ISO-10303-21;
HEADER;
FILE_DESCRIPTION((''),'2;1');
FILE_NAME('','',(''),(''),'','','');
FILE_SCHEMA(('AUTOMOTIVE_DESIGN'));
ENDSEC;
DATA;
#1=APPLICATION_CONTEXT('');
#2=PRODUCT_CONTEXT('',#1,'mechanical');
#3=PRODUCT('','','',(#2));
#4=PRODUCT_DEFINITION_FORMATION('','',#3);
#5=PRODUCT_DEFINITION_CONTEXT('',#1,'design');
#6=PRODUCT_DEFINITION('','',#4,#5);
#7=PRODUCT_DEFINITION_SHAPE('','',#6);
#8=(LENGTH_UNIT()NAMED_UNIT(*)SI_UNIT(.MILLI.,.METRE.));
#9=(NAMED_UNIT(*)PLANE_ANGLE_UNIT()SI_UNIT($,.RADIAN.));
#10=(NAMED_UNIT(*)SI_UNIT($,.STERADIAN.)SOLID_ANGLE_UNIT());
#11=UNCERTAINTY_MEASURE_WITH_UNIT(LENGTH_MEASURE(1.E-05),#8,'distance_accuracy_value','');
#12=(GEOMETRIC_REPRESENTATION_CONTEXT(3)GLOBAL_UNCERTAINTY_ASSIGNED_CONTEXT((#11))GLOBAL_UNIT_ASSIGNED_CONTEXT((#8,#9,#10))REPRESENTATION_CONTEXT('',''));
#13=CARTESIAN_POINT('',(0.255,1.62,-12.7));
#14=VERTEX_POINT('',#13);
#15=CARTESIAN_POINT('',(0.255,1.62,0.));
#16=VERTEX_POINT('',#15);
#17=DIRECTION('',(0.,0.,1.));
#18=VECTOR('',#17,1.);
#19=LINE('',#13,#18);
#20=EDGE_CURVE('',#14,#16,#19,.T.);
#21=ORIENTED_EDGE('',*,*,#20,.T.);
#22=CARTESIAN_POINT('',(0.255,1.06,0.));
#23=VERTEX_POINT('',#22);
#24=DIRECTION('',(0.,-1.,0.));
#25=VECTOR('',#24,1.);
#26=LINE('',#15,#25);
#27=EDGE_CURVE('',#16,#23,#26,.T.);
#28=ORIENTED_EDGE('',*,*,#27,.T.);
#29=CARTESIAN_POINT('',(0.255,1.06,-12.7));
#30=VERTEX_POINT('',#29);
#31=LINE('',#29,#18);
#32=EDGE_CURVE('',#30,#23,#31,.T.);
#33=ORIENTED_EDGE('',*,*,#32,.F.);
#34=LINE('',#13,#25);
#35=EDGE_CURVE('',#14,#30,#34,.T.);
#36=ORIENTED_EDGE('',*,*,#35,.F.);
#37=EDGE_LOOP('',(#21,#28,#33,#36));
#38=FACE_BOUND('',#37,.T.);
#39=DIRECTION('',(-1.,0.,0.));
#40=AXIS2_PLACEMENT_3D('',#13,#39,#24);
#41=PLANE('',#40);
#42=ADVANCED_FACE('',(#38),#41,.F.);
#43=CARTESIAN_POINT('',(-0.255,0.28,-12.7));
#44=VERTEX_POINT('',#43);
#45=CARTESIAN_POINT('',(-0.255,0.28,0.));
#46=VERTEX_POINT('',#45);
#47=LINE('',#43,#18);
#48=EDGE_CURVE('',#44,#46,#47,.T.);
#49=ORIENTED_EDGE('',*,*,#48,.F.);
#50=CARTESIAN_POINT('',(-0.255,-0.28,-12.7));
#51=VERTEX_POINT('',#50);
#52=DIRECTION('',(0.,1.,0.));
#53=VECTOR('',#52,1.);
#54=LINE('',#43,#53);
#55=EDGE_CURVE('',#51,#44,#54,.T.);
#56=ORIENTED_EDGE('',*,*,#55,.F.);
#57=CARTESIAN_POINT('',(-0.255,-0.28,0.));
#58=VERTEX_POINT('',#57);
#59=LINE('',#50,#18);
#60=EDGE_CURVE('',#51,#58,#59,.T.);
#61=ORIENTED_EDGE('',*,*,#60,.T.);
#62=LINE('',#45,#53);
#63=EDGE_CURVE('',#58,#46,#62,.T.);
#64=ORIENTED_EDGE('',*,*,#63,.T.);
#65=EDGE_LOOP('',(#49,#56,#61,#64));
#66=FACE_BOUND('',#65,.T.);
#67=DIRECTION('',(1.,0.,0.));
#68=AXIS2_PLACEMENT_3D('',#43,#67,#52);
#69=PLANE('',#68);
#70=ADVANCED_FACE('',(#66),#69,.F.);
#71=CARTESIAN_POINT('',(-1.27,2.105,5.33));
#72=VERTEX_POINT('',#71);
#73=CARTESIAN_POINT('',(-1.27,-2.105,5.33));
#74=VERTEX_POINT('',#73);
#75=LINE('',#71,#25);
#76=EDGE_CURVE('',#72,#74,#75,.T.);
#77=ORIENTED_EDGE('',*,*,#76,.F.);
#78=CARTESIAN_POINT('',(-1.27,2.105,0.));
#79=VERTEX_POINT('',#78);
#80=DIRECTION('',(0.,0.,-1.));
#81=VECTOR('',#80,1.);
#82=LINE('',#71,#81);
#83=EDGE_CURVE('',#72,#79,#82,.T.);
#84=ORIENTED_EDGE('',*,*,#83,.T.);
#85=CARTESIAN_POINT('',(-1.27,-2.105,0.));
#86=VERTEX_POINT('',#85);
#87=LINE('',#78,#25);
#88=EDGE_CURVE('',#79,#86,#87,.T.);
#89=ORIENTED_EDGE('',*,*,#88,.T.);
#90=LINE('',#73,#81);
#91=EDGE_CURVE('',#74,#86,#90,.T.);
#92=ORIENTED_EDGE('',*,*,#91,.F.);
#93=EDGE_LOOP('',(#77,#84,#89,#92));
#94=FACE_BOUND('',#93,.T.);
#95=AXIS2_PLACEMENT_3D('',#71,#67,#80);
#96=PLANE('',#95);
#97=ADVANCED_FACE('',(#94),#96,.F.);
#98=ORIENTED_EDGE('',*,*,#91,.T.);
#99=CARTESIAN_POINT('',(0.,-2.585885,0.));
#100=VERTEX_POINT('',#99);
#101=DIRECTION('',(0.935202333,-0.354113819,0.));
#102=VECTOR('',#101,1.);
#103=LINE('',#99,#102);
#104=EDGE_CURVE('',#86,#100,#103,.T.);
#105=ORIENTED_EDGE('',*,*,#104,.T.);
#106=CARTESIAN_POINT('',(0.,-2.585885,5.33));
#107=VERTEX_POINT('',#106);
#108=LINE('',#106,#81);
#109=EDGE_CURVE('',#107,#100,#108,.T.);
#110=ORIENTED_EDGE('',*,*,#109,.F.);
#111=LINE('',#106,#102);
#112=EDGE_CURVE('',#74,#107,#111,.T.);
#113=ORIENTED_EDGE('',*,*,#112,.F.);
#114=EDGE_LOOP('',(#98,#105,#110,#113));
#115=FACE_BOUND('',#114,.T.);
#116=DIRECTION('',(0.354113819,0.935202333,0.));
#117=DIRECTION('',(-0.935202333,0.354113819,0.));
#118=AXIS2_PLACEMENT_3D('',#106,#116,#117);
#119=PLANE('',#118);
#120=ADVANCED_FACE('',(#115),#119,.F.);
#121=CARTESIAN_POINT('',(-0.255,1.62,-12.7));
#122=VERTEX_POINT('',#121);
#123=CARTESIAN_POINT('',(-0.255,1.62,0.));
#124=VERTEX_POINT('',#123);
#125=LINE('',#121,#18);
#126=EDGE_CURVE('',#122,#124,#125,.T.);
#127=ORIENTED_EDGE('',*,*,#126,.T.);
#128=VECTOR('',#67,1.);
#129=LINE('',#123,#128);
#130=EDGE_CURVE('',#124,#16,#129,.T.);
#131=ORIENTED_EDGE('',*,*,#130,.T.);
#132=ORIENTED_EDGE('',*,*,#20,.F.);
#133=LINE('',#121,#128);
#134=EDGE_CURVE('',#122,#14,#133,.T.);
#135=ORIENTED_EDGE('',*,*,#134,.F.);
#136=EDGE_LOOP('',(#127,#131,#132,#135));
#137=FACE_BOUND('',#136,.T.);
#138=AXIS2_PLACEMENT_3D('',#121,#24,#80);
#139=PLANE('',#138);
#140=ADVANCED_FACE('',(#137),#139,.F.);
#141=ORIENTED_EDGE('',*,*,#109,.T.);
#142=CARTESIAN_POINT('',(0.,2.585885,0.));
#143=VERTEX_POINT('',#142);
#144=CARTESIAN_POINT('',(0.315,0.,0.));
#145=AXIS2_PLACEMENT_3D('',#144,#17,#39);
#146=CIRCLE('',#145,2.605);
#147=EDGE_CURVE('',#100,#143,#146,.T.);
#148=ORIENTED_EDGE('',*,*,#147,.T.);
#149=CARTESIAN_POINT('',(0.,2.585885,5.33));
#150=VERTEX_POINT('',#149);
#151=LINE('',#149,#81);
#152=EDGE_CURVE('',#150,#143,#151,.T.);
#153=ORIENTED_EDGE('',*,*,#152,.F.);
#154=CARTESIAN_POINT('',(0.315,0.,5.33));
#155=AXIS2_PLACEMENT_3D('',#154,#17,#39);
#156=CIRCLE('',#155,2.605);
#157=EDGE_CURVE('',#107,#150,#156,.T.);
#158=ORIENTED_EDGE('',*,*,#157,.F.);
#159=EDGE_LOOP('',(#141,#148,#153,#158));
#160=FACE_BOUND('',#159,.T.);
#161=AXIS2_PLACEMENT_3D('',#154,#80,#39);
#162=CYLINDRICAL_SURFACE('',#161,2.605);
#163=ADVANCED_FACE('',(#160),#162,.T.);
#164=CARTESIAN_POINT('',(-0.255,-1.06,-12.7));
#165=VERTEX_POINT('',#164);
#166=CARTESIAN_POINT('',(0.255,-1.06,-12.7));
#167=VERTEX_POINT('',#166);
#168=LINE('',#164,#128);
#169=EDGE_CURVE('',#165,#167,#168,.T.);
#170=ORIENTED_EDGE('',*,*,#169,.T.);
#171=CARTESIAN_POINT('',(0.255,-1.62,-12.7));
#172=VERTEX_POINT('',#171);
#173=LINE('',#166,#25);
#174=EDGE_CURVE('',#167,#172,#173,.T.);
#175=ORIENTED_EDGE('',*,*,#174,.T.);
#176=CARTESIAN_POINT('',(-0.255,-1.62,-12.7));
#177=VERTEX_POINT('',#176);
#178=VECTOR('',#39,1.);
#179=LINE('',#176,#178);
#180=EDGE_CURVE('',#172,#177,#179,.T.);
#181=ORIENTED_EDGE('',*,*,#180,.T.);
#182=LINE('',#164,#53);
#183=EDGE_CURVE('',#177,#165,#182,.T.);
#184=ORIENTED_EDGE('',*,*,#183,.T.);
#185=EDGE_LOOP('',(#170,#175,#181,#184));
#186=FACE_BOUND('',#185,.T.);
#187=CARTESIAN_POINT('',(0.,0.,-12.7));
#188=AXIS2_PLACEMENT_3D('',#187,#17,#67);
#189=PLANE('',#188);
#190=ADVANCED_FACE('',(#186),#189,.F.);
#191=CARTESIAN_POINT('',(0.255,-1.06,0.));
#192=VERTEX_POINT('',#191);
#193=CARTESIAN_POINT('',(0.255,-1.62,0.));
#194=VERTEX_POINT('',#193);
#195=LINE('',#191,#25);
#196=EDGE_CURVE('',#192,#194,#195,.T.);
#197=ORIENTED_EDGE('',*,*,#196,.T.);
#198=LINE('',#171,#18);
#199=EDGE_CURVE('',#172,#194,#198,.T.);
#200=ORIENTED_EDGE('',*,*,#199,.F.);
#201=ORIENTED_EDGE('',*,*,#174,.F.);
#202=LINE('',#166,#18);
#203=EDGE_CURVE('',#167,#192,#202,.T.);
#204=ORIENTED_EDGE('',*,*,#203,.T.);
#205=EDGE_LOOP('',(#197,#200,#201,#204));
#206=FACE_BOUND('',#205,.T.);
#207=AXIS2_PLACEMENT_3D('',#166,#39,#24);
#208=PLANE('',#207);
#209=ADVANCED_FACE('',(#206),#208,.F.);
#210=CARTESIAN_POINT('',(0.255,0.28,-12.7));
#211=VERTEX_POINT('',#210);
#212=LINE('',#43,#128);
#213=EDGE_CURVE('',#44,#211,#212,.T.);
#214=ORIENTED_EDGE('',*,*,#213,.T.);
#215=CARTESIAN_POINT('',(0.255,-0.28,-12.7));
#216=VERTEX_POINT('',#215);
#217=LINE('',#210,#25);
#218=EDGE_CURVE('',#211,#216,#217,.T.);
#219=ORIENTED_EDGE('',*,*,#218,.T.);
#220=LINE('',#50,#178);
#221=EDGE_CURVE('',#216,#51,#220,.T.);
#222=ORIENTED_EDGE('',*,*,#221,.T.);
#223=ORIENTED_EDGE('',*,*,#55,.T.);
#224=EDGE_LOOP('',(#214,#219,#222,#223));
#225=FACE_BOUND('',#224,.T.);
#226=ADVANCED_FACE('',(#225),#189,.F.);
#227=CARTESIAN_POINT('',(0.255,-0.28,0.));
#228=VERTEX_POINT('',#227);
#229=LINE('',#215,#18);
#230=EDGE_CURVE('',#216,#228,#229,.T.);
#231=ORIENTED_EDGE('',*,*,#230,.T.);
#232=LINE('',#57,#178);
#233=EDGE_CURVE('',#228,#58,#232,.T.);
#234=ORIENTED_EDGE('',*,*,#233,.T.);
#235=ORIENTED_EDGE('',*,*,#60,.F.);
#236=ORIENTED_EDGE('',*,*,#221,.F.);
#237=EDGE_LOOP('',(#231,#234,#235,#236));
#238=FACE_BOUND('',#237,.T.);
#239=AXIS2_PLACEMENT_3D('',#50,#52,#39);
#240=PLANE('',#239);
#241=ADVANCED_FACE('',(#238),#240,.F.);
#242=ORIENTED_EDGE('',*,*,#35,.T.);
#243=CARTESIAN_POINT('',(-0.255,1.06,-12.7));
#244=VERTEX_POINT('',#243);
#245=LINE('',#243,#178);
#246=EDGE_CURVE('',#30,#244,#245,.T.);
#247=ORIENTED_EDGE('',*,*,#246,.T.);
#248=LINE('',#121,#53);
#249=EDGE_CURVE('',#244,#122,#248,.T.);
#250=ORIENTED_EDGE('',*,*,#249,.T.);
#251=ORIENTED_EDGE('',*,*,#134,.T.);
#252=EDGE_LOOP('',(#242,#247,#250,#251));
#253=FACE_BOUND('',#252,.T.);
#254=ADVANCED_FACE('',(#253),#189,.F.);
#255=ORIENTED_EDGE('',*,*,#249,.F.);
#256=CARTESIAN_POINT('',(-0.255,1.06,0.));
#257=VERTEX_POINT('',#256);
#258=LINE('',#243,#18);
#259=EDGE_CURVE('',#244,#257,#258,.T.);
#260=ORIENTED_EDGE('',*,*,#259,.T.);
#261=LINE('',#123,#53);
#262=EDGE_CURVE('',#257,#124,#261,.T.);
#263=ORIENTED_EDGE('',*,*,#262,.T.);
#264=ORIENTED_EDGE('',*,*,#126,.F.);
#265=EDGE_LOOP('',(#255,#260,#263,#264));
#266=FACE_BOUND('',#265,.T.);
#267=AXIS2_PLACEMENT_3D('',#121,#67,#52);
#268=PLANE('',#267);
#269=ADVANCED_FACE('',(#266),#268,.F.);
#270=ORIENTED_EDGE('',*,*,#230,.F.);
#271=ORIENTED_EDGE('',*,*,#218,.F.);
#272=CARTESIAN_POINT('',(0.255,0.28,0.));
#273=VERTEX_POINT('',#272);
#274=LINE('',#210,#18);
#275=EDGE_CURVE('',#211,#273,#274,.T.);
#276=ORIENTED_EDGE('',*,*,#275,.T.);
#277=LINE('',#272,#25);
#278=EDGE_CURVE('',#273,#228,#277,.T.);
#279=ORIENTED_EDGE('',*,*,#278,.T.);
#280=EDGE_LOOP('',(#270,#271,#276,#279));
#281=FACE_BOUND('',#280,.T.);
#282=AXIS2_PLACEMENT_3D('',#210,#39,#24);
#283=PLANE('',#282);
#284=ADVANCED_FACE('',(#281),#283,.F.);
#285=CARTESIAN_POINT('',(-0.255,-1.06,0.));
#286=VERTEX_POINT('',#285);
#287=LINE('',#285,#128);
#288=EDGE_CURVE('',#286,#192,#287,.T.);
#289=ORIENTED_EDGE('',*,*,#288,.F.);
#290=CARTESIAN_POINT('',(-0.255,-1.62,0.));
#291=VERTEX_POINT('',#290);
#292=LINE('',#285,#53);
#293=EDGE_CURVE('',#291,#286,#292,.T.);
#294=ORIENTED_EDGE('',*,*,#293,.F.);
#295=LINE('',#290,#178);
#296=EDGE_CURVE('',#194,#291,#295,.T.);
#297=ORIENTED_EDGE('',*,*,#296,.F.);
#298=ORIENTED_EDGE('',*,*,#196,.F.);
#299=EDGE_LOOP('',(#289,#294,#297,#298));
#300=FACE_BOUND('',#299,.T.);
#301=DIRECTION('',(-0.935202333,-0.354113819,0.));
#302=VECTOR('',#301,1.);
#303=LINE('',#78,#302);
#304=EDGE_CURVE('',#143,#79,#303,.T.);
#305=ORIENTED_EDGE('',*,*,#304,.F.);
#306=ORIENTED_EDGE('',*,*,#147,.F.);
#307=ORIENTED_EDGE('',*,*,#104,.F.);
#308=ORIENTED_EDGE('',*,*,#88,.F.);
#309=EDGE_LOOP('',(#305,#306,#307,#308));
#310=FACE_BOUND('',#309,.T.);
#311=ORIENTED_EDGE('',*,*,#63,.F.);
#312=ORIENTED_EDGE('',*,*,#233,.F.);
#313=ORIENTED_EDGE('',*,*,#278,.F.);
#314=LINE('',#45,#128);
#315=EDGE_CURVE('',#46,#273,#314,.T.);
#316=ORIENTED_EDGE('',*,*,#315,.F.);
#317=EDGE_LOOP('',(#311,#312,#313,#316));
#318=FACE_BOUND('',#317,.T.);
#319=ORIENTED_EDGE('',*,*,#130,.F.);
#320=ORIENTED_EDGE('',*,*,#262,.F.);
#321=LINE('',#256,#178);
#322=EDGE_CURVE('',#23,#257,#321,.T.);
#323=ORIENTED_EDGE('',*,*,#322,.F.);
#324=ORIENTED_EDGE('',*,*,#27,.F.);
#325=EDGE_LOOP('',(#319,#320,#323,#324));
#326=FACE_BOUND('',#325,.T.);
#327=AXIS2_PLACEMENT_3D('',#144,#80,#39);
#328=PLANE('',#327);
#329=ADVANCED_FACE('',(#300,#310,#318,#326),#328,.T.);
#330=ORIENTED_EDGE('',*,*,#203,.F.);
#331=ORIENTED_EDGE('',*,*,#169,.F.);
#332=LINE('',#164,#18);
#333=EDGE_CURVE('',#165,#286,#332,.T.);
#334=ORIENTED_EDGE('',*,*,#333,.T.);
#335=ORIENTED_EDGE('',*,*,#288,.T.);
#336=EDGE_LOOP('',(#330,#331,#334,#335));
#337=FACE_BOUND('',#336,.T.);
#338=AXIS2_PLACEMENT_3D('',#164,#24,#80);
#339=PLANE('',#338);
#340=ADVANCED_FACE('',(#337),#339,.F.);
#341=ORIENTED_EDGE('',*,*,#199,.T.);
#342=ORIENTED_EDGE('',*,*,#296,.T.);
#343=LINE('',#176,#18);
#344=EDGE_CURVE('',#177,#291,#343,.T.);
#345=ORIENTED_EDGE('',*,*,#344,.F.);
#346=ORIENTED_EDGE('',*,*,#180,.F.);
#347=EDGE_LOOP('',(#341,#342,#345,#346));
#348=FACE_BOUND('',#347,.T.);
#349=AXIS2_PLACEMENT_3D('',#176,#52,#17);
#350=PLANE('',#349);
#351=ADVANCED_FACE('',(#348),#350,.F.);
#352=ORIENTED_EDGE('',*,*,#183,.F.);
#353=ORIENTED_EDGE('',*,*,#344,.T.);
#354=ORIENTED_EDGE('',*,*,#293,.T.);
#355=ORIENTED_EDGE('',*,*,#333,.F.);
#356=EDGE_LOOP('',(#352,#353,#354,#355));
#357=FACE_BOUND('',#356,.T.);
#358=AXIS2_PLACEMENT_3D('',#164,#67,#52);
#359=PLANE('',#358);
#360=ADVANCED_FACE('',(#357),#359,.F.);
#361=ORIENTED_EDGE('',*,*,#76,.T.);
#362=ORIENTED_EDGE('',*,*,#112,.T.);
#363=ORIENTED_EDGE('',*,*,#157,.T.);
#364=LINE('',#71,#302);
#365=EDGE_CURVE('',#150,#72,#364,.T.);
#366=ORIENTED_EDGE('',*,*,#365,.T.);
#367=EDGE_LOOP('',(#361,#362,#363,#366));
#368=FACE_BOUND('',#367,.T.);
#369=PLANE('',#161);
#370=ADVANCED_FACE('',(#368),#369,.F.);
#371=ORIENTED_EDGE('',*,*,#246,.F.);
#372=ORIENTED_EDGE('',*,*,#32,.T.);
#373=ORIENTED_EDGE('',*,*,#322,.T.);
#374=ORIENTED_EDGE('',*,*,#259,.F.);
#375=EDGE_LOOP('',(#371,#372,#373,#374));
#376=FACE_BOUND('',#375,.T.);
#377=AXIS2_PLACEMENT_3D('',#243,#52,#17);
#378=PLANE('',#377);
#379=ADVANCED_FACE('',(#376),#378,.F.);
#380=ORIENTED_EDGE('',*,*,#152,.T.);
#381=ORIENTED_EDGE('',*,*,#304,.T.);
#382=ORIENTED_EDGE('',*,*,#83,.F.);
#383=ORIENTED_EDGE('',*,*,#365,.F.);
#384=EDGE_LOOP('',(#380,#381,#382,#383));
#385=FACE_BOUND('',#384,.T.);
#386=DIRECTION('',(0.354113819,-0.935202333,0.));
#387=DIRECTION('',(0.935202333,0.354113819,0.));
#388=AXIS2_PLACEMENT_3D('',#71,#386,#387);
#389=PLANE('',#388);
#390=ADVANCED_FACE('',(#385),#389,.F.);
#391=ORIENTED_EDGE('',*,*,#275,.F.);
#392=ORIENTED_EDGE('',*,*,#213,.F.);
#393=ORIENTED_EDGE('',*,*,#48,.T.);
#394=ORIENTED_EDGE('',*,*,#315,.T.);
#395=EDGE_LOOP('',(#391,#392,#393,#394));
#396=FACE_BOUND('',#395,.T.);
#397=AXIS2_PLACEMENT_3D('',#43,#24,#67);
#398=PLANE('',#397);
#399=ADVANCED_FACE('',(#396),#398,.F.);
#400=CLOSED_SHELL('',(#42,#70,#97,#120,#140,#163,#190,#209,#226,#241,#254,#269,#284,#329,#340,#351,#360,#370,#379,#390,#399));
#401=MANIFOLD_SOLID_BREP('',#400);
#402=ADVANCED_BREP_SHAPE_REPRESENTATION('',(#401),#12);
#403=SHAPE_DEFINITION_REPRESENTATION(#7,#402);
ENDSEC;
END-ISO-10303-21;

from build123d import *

# Parameters (mm, degrees)
BOSS_EXTRU_1_DEPTH = 5.33
ESQUISSE2_W        = 0.51
ESQUISSE2_H        = 0.56
BOSS_EXTRU_2_DEPTH = 12.7


with BuildPart() as part:
    # Esquisse1 → Boss.-Extru.1 (new body)
    with BuildSketch(Plane.XY):
        with BuildLine():
            Line((-1.27, 2.105), (-1.27, -2.105))
            Line((-1.27, -2.105), (0, -2.585884762))
            ThreePointArc((0, -2.585884762), (2.92, 0), (0, 2.585884762))
            Line((0, 2.585884762), (-1.27, 2.105))
        make_face()
    extrude(amount=BOSS_EXTRU_1_DEPTH)

    # Esquisse2 → Boss.-Extru.2 (add)
    with BuildSketch(Plane(origin=(0, 0, 0), x_dir=(-1, 0, 0), z_dir=(0, 0, -1))):
        with Locations((0, 1.34)):
            Rectangle(ESQUISSE2_W, ESQUISSE2_H)
        Rectangle(ESQUISSE2_W, ESQUISSE2_H)
        with Locations((0, -1.34)):
            Rectangle(ESQUISSE2_W, ESQUISSE2_H)
    extrude(amount=BOSS_EXTRU_2_DEPTH)


solid = part.part
